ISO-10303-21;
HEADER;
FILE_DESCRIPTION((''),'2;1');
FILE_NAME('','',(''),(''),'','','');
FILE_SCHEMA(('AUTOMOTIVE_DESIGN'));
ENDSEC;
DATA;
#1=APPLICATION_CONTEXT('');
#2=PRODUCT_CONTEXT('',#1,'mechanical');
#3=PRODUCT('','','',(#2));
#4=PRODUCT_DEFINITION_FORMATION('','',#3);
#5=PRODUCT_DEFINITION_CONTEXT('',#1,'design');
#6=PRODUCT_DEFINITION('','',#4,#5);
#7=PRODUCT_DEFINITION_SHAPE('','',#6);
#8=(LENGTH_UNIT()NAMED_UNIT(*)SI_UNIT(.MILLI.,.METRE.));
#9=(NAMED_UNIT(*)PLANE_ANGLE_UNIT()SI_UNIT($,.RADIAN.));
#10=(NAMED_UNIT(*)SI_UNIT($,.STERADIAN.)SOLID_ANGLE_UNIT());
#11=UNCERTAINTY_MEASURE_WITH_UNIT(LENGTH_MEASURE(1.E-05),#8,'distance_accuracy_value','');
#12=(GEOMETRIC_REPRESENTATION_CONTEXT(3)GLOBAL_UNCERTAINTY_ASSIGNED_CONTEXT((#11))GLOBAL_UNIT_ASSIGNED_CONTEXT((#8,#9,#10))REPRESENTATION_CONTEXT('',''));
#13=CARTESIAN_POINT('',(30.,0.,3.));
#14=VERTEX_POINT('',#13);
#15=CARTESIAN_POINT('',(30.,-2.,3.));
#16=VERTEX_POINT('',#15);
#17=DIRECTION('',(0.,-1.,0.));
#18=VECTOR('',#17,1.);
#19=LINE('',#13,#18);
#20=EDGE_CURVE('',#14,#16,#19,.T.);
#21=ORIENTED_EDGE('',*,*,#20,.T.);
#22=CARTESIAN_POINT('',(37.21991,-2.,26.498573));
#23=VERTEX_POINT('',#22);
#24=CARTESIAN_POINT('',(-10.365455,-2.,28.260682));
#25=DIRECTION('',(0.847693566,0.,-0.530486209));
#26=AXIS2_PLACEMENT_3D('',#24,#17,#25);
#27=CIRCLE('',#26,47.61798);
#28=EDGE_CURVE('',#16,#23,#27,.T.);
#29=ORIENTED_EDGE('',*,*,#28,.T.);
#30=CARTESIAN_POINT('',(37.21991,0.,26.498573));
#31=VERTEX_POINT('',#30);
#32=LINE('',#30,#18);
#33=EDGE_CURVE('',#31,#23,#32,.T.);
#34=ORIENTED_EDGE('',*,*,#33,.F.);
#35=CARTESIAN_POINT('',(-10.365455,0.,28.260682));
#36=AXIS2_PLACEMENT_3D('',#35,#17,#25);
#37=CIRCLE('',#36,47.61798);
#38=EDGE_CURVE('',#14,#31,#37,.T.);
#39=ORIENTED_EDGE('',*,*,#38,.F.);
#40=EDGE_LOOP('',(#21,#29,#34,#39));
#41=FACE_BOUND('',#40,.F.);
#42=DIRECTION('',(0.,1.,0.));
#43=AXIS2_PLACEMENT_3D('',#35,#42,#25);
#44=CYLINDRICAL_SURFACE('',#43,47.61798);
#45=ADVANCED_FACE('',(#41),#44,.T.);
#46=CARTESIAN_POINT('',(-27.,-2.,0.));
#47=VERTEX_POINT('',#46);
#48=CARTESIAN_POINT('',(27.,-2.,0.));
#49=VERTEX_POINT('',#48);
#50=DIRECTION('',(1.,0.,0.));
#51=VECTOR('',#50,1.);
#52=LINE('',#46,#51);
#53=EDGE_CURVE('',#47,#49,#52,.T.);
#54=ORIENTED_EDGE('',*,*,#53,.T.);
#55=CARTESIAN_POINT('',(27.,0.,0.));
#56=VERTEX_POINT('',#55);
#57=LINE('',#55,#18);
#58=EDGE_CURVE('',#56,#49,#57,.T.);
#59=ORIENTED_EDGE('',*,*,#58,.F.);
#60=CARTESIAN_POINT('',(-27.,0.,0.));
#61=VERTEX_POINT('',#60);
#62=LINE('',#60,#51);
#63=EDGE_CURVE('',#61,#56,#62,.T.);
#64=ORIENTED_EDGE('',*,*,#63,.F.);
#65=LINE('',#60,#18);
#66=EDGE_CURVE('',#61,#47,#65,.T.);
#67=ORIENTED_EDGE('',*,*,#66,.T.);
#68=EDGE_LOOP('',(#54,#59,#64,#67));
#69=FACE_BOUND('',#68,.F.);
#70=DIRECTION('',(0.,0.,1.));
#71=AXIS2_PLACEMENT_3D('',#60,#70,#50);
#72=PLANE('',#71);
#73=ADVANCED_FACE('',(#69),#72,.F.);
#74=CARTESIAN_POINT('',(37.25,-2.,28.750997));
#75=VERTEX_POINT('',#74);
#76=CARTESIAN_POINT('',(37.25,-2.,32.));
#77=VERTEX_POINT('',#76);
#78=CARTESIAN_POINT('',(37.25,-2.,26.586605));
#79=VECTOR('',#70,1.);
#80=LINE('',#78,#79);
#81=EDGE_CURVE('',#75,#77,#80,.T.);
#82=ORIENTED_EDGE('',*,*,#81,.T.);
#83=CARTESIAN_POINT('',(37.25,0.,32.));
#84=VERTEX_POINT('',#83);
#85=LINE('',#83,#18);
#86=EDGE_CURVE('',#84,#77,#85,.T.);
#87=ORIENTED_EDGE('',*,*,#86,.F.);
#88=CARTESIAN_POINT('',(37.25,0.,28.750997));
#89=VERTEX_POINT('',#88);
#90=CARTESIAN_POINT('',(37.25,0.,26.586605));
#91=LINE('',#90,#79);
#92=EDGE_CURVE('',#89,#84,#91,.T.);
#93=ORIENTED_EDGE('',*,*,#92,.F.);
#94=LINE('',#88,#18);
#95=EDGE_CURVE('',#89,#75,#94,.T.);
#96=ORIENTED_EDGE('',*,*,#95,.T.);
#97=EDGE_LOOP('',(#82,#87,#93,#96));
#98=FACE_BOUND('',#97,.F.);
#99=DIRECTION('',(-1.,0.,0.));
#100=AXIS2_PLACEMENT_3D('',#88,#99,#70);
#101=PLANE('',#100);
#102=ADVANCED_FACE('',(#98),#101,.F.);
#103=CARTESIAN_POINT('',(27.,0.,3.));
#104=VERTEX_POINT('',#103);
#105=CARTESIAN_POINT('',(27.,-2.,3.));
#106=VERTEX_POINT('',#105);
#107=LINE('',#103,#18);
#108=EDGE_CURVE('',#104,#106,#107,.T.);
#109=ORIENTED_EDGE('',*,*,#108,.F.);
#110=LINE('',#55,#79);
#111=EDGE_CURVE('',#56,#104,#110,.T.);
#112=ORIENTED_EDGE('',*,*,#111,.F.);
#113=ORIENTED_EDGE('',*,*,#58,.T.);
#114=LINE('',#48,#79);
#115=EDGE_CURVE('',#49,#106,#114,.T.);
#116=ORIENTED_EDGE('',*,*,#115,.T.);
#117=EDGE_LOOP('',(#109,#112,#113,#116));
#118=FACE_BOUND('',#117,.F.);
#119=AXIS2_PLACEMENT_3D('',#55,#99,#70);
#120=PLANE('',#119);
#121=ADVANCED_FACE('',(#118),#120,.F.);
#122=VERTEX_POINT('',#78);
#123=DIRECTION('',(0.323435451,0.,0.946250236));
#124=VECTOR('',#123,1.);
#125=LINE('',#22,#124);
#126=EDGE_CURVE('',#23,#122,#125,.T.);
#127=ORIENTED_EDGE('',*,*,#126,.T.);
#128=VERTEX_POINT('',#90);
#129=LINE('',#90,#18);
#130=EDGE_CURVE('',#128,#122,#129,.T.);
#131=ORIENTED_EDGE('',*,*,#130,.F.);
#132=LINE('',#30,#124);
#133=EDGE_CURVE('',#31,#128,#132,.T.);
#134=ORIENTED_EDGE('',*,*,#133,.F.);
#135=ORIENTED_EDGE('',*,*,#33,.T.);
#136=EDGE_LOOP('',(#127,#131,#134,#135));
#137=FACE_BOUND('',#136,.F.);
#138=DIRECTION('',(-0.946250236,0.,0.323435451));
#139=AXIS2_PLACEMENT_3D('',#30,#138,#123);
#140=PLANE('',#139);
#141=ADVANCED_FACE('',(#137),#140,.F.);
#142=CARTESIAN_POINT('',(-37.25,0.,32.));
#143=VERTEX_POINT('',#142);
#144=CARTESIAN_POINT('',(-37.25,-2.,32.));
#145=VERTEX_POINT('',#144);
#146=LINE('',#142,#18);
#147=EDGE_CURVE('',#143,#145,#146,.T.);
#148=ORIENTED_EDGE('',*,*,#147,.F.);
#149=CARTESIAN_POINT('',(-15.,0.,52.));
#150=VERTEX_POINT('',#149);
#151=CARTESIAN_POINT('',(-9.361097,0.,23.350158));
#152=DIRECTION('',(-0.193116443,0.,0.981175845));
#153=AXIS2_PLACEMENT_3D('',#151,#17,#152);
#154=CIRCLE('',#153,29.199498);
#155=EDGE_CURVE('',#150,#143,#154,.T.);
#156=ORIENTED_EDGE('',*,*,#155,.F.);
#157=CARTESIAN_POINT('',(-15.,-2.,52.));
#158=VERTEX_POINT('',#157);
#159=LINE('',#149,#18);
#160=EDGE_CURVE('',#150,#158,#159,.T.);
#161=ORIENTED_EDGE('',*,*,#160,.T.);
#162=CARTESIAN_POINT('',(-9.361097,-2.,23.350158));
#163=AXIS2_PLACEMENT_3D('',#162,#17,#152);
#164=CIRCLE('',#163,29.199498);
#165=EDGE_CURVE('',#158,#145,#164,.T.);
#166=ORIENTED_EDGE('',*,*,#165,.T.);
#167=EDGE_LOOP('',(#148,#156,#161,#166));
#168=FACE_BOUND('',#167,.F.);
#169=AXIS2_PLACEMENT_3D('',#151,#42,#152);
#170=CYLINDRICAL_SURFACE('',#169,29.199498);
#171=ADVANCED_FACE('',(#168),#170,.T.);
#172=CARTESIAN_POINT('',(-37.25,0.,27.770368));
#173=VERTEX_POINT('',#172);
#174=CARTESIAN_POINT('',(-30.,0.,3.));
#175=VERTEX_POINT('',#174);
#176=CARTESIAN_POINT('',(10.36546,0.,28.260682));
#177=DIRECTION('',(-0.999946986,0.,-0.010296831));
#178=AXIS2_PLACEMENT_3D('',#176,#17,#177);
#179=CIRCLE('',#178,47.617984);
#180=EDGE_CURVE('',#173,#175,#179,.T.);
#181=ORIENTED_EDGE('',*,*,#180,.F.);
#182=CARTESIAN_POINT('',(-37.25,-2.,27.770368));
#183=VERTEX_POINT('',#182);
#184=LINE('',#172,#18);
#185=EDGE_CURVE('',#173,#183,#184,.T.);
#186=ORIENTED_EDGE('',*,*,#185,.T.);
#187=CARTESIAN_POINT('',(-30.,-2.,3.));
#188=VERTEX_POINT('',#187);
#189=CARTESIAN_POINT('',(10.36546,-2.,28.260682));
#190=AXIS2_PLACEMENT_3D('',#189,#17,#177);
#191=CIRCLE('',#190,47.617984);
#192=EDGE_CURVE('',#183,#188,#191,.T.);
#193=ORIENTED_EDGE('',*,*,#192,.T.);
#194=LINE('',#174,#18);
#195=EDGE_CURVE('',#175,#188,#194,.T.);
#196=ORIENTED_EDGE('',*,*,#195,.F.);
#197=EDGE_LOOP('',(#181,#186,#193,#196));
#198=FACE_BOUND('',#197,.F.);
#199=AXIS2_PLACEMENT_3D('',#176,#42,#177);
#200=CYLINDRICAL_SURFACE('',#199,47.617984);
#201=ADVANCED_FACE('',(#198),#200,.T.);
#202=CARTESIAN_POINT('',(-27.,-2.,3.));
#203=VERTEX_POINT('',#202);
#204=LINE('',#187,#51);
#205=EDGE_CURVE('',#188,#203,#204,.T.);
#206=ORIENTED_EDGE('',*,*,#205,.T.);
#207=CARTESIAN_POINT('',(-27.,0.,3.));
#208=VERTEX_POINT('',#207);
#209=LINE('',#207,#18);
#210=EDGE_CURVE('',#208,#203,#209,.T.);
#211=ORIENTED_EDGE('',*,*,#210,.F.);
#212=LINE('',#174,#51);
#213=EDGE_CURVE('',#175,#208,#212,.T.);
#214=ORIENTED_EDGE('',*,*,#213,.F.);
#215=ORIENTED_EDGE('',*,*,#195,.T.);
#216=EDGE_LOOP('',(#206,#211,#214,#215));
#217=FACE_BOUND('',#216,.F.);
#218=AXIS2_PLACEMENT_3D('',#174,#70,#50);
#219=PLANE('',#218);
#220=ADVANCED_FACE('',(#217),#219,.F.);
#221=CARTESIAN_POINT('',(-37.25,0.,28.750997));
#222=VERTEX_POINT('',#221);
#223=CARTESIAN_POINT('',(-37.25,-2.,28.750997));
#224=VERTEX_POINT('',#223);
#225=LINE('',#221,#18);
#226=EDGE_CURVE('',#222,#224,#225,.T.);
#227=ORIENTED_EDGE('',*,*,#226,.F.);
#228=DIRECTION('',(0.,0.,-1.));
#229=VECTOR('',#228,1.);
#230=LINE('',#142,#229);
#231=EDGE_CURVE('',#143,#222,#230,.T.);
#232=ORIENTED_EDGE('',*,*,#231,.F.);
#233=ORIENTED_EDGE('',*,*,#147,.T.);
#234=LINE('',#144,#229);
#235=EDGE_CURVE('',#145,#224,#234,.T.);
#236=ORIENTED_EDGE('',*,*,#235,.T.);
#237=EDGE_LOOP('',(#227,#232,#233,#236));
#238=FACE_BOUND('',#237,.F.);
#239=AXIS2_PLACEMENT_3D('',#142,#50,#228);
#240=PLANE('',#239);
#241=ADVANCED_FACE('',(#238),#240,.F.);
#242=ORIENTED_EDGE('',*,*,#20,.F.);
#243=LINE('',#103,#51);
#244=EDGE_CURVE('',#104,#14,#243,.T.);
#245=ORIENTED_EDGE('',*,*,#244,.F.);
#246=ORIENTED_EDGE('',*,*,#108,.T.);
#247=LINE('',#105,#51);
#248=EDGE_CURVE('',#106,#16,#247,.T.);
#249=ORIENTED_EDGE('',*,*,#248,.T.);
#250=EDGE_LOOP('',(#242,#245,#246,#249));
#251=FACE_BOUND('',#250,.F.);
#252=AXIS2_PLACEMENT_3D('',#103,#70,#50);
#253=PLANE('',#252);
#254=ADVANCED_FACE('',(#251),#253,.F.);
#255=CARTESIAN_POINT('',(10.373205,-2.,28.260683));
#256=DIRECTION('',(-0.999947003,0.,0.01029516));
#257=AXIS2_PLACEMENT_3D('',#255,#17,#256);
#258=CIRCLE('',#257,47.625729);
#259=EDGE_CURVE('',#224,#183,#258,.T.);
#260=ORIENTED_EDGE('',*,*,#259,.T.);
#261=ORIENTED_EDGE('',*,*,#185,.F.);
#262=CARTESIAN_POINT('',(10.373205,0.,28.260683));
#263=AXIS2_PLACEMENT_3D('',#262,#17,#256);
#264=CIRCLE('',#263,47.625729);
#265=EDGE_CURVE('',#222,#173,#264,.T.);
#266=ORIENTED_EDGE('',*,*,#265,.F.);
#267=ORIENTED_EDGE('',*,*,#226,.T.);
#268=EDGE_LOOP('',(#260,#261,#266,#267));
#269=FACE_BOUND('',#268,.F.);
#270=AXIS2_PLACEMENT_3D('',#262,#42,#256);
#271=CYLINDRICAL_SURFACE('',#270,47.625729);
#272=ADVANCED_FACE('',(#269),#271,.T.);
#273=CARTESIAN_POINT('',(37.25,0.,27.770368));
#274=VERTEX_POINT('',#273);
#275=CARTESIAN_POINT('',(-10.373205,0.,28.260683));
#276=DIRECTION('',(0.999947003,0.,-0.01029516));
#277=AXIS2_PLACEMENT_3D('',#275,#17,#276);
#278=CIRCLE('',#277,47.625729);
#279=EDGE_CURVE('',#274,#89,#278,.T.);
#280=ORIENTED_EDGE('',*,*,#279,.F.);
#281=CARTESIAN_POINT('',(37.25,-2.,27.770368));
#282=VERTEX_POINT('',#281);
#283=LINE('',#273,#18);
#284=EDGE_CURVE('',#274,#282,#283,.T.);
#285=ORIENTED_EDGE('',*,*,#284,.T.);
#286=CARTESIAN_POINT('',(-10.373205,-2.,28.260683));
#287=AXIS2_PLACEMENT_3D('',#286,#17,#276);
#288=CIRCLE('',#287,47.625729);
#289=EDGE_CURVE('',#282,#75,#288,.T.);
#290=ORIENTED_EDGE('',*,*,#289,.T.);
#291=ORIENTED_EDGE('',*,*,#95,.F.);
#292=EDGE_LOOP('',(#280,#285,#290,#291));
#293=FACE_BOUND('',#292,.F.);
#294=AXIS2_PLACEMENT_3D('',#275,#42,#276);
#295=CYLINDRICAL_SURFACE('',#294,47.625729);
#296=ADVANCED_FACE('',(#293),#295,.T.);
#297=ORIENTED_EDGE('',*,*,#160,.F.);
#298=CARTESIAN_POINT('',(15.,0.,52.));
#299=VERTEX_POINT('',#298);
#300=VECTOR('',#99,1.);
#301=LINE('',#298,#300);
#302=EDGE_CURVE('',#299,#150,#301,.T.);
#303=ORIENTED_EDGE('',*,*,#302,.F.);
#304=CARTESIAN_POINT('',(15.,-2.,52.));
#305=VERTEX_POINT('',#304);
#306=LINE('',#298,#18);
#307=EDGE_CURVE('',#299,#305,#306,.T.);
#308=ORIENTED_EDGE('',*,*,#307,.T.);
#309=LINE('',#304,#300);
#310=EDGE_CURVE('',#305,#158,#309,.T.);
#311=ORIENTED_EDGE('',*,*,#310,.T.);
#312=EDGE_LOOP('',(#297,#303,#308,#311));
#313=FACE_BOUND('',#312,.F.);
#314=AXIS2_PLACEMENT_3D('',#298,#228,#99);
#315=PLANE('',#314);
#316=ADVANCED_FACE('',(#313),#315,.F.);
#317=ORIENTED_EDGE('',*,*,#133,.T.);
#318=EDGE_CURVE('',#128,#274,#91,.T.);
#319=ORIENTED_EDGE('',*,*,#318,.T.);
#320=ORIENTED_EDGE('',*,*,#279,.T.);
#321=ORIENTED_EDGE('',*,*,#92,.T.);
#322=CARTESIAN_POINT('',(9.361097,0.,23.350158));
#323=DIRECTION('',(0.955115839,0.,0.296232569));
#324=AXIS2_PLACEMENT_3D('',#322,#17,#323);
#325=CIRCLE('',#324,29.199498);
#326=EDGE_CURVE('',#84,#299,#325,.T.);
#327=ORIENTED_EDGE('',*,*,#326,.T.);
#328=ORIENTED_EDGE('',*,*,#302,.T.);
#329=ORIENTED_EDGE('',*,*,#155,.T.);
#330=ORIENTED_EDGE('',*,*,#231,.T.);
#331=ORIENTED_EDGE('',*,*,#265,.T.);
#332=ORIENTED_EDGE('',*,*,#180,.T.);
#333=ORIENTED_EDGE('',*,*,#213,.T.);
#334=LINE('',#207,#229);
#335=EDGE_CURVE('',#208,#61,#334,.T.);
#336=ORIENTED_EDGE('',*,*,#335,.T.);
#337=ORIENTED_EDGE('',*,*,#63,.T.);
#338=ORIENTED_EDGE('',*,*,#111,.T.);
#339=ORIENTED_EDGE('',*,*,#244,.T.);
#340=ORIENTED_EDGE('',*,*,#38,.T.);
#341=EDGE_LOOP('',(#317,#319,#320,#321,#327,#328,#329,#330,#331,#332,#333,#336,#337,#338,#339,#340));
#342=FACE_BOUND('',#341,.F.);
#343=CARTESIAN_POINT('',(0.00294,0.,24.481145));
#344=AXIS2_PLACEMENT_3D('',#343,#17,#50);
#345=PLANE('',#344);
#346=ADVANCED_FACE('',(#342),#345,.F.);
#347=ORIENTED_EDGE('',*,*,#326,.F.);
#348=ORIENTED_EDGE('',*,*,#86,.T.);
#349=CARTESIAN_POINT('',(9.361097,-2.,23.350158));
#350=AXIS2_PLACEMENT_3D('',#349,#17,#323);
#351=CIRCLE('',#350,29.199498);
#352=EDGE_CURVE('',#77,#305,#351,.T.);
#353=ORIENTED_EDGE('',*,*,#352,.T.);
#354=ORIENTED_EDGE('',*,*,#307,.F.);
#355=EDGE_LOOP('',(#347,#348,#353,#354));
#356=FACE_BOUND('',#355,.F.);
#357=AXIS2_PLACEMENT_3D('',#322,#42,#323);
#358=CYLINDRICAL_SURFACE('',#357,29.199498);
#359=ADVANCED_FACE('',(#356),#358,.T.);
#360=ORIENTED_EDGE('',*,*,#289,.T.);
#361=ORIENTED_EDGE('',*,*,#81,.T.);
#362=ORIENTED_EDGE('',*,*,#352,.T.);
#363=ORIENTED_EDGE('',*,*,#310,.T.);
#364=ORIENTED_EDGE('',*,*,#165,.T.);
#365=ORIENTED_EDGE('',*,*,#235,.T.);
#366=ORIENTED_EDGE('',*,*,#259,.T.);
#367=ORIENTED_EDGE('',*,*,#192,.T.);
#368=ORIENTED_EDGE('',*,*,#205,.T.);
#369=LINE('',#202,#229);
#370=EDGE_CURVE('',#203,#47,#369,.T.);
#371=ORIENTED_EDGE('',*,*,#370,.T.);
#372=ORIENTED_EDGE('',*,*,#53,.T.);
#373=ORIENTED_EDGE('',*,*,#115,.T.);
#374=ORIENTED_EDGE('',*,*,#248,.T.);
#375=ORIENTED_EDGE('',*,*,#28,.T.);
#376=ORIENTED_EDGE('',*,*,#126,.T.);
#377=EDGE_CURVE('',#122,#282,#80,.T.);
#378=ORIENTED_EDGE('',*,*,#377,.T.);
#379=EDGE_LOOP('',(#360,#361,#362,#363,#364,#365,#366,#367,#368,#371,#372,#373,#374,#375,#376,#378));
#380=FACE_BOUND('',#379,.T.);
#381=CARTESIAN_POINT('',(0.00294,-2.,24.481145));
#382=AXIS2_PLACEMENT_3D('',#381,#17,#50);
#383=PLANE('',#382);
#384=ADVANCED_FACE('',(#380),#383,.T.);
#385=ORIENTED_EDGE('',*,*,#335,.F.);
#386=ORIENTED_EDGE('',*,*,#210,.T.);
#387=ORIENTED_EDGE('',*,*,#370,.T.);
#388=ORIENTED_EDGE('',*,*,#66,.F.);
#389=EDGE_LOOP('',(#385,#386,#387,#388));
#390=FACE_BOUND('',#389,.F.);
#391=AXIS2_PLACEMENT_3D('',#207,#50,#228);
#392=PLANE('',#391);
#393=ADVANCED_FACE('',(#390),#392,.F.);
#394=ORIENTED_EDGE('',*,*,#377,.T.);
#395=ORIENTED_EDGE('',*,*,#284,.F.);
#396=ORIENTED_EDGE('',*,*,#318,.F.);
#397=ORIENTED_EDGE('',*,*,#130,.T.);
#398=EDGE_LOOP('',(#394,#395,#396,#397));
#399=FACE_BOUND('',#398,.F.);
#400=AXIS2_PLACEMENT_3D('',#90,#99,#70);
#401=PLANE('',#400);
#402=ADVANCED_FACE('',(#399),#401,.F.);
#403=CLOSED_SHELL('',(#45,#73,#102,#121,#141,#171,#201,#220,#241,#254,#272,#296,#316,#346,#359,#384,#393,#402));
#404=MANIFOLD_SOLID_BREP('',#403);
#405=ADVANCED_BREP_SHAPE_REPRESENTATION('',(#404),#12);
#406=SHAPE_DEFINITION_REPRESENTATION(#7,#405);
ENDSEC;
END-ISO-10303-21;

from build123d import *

# Parameters (mm, degrees)
F1_DEPTH = 2


with BuildPart() as f1:
    # F0 (on Front) → F1 (new body)
    with BuildSketch(Plane.XZ):
        with BuildLine():
            Line((-27, 0), (0, 0))
            Line((0, 0), (27, 0))
            Line((27, 0), (27, 3))
            Line((27, 3), (30, 3))
            ThreePointArc((30, 3), (35.15248, 14.275347), (37.21991, 26.498573))
            ThreePointArc((37.21991, 26.498573), (37.239202, 27.13437), (37.25, 27.770368))
            Line((37.25, 27.770368), (37.25, 28.750997))
            Line((37.25, 28.750997), (37.25, 32))
            ThreePointArc((37.25, 32), (28.881047, 45.066102), (15, 52))
            Line((15, 52), (0, 52))
            Line((0, 52), (-15, 52))
            ThreePointArc((-15, 52), (-28.881047, 45.066102), (-37.25, 32))
            Line((-37.25, 32), (-37.25, 28.750997))
            Line((-37.25, 28.750997), (-37.25, 27.770368))
            ThreePointArc((-37.25, 27.770368), (-35.335233, 14.884618), (-30, 3))
            Line((-30, 3), (-27, 3))
            Line((-27, 3), (-27, 0))
        make_face()
        with BuildLine():
            ThreePointArc((37.25, 27.770368), (37.239202, 27.13437), (37.21991, 26.498573))
            Line((37.21991, 26.498573), (37.25, 26.586605))
            Line((37.25, 26.586605), (37.25, 27.770368))
        make_face()
        with BuildLine():
            ThreePointArc((-37.25, 28.750997), (-37.252524, 28.260682), (-37.25, 27.770368))
            Line((-37.25, 27.770368), (-37.25, 28.750997))
        make_face()
        with BuildLine():
            Line((37.25, 28.750997), (37.25, 27.770368))
            ThreePointArc((37.25, 27.770368), (37.252524, 28.260682), (37.25, 28.750997))
        make_face()
    extrude(amount=F1_DEPTH)


solid = f1.part
